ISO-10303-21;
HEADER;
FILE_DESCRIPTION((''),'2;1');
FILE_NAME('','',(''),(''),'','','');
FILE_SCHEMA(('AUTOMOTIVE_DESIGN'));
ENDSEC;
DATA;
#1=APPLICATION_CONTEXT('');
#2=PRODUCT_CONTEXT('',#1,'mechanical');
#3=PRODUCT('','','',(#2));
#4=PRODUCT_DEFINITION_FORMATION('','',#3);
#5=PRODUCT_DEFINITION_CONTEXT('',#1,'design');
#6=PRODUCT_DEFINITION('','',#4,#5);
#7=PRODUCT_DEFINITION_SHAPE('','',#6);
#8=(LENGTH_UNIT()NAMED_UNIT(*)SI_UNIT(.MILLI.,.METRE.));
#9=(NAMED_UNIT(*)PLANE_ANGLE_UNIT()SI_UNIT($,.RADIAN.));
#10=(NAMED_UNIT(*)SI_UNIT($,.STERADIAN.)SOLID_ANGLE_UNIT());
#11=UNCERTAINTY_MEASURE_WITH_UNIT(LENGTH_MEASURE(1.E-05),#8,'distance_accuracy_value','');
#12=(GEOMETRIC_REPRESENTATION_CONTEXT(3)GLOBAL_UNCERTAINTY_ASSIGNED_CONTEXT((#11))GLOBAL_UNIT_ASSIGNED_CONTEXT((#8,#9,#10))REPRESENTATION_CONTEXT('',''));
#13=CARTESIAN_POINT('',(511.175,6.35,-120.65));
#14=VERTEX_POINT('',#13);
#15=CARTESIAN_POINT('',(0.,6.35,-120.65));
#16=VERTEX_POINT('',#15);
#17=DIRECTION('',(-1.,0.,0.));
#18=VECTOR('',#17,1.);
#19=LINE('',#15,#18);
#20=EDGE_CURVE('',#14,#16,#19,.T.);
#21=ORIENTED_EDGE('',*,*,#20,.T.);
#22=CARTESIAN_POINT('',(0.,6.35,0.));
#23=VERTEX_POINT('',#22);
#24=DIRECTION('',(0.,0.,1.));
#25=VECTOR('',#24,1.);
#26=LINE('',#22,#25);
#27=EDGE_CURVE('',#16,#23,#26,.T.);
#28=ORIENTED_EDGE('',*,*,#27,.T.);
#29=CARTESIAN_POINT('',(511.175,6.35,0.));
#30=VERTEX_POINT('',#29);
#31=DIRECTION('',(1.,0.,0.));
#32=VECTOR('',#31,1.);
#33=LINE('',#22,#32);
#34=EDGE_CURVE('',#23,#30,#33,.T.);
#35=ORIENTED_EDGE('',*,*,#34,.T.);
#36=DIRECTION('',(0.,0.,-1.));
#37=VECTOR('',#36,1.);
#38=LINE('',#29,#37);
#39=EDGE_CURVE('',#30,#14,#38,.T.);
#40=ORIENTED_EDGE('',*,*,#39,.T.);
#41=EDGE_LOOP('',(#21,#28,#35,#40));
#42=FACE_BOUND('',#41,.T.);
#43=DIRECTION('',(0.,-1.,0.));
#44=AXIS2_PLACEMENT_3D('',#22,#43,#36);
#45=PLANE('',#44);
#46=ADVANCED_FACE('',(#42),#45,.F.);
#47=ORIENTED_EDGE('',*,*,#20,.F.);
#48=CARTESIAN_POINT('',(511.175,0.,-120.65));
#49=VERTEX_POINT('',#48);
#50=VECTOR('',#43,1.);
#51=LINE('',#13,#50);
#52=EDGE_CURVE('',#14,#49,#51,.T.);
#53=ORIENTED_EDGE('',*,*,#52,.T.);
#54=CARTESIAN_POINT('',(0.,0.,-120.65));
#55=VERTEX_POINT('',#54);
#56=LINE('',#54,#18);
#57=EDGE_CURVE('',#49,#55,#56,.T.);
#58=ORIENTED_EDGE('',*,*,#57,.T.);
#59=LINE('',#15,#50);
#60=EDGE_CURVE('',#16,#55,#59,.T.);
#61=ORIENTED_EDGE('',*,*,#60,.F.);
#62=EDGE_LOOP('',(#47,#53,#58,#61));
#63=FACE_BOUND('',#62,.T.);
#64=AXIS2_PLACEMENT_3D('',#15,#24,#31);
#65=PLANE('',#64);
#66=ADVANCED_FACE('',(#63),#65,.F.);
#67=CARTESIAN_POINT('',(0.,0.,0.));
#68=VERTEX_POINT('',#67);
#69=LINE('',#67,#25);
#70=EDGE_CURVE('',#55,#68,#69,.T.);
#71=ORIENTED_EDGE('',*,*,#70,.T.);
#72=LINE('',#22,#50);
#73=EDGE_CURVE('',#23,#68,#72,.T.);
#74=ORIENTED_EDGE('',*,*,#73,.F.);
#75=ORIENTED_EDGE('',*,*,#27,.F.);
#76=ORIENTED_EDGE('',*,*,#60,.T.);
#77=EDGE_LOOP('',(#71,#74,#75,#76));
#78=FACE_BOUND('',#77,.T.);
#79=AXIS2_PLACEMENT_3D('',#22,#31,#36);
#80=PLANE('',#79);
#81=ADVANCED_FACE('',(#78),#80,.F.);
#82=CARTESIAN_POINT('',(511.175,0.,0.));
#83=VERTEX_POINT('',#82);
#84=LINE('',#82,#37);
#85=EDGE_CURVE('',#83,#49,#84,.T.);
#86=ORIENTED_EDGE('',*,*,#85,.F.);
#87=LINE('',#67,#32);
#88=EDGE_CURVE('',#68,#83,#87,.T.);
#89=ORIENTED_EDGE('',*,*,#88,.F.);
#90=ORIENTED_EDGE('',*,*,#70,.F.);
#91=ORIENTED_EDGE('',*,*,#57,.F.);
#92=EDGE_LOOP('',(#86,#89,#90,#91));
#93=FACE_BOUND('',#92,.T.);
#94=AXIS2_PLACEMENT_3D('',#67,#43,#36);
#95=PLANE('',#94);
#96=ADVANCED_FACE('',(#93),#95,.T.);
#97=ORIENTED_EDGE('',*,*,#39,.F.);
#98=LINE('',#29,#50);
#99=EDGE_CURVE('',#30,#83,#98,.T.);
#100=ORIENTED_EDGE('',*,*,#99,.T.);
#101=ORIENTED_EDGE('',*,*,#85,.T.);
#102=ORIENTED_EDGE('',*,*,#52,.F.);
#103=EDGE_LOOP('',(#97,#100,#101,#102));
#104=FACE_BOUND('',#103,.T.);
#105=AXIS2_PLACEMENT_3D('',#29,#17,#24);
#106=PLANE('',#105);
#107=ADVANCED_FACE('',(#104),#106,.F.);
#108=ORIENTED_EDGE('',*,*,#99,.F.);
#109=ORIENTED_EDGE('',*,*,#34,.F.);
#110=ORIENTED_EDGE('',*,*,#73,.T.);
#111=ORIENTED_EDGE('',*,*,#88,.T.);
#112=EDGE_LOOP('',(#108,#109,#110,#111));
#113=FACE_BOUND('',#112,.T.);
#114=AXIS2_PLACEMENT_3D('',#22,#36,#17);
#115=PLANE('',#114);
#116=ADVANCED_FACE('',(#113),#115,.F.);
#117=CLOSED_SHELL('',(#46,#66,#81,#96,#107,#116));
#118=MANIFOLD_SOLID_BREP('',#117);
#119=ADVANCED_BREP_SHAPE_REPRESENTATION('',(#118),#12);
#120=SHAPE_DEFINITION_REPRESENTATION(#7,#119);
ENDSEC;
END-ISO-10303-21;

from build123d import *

# Parameters (mm, degrees)
SKETCH1_W           = 511.175
SKETCH1_H           = 120.65
BOSS_EXTRUDE1_DEPTH = 6.35


with BuildPart() as part:
    # Sketch1 → Boss-Extrude1 (new body)
    with BuildSketch(Plane(origin=(0, 0, 0), x_dir=(1, 0, 0), z_dir=(0, 1, 0))):
        with Locations((255.5875, 60.325)):
            Rectangle(SKETCH1_W, SKETCH1_H)
    extrude(amount=BOSS_EXTRUDE1_DEPTH)


solid = part.part
